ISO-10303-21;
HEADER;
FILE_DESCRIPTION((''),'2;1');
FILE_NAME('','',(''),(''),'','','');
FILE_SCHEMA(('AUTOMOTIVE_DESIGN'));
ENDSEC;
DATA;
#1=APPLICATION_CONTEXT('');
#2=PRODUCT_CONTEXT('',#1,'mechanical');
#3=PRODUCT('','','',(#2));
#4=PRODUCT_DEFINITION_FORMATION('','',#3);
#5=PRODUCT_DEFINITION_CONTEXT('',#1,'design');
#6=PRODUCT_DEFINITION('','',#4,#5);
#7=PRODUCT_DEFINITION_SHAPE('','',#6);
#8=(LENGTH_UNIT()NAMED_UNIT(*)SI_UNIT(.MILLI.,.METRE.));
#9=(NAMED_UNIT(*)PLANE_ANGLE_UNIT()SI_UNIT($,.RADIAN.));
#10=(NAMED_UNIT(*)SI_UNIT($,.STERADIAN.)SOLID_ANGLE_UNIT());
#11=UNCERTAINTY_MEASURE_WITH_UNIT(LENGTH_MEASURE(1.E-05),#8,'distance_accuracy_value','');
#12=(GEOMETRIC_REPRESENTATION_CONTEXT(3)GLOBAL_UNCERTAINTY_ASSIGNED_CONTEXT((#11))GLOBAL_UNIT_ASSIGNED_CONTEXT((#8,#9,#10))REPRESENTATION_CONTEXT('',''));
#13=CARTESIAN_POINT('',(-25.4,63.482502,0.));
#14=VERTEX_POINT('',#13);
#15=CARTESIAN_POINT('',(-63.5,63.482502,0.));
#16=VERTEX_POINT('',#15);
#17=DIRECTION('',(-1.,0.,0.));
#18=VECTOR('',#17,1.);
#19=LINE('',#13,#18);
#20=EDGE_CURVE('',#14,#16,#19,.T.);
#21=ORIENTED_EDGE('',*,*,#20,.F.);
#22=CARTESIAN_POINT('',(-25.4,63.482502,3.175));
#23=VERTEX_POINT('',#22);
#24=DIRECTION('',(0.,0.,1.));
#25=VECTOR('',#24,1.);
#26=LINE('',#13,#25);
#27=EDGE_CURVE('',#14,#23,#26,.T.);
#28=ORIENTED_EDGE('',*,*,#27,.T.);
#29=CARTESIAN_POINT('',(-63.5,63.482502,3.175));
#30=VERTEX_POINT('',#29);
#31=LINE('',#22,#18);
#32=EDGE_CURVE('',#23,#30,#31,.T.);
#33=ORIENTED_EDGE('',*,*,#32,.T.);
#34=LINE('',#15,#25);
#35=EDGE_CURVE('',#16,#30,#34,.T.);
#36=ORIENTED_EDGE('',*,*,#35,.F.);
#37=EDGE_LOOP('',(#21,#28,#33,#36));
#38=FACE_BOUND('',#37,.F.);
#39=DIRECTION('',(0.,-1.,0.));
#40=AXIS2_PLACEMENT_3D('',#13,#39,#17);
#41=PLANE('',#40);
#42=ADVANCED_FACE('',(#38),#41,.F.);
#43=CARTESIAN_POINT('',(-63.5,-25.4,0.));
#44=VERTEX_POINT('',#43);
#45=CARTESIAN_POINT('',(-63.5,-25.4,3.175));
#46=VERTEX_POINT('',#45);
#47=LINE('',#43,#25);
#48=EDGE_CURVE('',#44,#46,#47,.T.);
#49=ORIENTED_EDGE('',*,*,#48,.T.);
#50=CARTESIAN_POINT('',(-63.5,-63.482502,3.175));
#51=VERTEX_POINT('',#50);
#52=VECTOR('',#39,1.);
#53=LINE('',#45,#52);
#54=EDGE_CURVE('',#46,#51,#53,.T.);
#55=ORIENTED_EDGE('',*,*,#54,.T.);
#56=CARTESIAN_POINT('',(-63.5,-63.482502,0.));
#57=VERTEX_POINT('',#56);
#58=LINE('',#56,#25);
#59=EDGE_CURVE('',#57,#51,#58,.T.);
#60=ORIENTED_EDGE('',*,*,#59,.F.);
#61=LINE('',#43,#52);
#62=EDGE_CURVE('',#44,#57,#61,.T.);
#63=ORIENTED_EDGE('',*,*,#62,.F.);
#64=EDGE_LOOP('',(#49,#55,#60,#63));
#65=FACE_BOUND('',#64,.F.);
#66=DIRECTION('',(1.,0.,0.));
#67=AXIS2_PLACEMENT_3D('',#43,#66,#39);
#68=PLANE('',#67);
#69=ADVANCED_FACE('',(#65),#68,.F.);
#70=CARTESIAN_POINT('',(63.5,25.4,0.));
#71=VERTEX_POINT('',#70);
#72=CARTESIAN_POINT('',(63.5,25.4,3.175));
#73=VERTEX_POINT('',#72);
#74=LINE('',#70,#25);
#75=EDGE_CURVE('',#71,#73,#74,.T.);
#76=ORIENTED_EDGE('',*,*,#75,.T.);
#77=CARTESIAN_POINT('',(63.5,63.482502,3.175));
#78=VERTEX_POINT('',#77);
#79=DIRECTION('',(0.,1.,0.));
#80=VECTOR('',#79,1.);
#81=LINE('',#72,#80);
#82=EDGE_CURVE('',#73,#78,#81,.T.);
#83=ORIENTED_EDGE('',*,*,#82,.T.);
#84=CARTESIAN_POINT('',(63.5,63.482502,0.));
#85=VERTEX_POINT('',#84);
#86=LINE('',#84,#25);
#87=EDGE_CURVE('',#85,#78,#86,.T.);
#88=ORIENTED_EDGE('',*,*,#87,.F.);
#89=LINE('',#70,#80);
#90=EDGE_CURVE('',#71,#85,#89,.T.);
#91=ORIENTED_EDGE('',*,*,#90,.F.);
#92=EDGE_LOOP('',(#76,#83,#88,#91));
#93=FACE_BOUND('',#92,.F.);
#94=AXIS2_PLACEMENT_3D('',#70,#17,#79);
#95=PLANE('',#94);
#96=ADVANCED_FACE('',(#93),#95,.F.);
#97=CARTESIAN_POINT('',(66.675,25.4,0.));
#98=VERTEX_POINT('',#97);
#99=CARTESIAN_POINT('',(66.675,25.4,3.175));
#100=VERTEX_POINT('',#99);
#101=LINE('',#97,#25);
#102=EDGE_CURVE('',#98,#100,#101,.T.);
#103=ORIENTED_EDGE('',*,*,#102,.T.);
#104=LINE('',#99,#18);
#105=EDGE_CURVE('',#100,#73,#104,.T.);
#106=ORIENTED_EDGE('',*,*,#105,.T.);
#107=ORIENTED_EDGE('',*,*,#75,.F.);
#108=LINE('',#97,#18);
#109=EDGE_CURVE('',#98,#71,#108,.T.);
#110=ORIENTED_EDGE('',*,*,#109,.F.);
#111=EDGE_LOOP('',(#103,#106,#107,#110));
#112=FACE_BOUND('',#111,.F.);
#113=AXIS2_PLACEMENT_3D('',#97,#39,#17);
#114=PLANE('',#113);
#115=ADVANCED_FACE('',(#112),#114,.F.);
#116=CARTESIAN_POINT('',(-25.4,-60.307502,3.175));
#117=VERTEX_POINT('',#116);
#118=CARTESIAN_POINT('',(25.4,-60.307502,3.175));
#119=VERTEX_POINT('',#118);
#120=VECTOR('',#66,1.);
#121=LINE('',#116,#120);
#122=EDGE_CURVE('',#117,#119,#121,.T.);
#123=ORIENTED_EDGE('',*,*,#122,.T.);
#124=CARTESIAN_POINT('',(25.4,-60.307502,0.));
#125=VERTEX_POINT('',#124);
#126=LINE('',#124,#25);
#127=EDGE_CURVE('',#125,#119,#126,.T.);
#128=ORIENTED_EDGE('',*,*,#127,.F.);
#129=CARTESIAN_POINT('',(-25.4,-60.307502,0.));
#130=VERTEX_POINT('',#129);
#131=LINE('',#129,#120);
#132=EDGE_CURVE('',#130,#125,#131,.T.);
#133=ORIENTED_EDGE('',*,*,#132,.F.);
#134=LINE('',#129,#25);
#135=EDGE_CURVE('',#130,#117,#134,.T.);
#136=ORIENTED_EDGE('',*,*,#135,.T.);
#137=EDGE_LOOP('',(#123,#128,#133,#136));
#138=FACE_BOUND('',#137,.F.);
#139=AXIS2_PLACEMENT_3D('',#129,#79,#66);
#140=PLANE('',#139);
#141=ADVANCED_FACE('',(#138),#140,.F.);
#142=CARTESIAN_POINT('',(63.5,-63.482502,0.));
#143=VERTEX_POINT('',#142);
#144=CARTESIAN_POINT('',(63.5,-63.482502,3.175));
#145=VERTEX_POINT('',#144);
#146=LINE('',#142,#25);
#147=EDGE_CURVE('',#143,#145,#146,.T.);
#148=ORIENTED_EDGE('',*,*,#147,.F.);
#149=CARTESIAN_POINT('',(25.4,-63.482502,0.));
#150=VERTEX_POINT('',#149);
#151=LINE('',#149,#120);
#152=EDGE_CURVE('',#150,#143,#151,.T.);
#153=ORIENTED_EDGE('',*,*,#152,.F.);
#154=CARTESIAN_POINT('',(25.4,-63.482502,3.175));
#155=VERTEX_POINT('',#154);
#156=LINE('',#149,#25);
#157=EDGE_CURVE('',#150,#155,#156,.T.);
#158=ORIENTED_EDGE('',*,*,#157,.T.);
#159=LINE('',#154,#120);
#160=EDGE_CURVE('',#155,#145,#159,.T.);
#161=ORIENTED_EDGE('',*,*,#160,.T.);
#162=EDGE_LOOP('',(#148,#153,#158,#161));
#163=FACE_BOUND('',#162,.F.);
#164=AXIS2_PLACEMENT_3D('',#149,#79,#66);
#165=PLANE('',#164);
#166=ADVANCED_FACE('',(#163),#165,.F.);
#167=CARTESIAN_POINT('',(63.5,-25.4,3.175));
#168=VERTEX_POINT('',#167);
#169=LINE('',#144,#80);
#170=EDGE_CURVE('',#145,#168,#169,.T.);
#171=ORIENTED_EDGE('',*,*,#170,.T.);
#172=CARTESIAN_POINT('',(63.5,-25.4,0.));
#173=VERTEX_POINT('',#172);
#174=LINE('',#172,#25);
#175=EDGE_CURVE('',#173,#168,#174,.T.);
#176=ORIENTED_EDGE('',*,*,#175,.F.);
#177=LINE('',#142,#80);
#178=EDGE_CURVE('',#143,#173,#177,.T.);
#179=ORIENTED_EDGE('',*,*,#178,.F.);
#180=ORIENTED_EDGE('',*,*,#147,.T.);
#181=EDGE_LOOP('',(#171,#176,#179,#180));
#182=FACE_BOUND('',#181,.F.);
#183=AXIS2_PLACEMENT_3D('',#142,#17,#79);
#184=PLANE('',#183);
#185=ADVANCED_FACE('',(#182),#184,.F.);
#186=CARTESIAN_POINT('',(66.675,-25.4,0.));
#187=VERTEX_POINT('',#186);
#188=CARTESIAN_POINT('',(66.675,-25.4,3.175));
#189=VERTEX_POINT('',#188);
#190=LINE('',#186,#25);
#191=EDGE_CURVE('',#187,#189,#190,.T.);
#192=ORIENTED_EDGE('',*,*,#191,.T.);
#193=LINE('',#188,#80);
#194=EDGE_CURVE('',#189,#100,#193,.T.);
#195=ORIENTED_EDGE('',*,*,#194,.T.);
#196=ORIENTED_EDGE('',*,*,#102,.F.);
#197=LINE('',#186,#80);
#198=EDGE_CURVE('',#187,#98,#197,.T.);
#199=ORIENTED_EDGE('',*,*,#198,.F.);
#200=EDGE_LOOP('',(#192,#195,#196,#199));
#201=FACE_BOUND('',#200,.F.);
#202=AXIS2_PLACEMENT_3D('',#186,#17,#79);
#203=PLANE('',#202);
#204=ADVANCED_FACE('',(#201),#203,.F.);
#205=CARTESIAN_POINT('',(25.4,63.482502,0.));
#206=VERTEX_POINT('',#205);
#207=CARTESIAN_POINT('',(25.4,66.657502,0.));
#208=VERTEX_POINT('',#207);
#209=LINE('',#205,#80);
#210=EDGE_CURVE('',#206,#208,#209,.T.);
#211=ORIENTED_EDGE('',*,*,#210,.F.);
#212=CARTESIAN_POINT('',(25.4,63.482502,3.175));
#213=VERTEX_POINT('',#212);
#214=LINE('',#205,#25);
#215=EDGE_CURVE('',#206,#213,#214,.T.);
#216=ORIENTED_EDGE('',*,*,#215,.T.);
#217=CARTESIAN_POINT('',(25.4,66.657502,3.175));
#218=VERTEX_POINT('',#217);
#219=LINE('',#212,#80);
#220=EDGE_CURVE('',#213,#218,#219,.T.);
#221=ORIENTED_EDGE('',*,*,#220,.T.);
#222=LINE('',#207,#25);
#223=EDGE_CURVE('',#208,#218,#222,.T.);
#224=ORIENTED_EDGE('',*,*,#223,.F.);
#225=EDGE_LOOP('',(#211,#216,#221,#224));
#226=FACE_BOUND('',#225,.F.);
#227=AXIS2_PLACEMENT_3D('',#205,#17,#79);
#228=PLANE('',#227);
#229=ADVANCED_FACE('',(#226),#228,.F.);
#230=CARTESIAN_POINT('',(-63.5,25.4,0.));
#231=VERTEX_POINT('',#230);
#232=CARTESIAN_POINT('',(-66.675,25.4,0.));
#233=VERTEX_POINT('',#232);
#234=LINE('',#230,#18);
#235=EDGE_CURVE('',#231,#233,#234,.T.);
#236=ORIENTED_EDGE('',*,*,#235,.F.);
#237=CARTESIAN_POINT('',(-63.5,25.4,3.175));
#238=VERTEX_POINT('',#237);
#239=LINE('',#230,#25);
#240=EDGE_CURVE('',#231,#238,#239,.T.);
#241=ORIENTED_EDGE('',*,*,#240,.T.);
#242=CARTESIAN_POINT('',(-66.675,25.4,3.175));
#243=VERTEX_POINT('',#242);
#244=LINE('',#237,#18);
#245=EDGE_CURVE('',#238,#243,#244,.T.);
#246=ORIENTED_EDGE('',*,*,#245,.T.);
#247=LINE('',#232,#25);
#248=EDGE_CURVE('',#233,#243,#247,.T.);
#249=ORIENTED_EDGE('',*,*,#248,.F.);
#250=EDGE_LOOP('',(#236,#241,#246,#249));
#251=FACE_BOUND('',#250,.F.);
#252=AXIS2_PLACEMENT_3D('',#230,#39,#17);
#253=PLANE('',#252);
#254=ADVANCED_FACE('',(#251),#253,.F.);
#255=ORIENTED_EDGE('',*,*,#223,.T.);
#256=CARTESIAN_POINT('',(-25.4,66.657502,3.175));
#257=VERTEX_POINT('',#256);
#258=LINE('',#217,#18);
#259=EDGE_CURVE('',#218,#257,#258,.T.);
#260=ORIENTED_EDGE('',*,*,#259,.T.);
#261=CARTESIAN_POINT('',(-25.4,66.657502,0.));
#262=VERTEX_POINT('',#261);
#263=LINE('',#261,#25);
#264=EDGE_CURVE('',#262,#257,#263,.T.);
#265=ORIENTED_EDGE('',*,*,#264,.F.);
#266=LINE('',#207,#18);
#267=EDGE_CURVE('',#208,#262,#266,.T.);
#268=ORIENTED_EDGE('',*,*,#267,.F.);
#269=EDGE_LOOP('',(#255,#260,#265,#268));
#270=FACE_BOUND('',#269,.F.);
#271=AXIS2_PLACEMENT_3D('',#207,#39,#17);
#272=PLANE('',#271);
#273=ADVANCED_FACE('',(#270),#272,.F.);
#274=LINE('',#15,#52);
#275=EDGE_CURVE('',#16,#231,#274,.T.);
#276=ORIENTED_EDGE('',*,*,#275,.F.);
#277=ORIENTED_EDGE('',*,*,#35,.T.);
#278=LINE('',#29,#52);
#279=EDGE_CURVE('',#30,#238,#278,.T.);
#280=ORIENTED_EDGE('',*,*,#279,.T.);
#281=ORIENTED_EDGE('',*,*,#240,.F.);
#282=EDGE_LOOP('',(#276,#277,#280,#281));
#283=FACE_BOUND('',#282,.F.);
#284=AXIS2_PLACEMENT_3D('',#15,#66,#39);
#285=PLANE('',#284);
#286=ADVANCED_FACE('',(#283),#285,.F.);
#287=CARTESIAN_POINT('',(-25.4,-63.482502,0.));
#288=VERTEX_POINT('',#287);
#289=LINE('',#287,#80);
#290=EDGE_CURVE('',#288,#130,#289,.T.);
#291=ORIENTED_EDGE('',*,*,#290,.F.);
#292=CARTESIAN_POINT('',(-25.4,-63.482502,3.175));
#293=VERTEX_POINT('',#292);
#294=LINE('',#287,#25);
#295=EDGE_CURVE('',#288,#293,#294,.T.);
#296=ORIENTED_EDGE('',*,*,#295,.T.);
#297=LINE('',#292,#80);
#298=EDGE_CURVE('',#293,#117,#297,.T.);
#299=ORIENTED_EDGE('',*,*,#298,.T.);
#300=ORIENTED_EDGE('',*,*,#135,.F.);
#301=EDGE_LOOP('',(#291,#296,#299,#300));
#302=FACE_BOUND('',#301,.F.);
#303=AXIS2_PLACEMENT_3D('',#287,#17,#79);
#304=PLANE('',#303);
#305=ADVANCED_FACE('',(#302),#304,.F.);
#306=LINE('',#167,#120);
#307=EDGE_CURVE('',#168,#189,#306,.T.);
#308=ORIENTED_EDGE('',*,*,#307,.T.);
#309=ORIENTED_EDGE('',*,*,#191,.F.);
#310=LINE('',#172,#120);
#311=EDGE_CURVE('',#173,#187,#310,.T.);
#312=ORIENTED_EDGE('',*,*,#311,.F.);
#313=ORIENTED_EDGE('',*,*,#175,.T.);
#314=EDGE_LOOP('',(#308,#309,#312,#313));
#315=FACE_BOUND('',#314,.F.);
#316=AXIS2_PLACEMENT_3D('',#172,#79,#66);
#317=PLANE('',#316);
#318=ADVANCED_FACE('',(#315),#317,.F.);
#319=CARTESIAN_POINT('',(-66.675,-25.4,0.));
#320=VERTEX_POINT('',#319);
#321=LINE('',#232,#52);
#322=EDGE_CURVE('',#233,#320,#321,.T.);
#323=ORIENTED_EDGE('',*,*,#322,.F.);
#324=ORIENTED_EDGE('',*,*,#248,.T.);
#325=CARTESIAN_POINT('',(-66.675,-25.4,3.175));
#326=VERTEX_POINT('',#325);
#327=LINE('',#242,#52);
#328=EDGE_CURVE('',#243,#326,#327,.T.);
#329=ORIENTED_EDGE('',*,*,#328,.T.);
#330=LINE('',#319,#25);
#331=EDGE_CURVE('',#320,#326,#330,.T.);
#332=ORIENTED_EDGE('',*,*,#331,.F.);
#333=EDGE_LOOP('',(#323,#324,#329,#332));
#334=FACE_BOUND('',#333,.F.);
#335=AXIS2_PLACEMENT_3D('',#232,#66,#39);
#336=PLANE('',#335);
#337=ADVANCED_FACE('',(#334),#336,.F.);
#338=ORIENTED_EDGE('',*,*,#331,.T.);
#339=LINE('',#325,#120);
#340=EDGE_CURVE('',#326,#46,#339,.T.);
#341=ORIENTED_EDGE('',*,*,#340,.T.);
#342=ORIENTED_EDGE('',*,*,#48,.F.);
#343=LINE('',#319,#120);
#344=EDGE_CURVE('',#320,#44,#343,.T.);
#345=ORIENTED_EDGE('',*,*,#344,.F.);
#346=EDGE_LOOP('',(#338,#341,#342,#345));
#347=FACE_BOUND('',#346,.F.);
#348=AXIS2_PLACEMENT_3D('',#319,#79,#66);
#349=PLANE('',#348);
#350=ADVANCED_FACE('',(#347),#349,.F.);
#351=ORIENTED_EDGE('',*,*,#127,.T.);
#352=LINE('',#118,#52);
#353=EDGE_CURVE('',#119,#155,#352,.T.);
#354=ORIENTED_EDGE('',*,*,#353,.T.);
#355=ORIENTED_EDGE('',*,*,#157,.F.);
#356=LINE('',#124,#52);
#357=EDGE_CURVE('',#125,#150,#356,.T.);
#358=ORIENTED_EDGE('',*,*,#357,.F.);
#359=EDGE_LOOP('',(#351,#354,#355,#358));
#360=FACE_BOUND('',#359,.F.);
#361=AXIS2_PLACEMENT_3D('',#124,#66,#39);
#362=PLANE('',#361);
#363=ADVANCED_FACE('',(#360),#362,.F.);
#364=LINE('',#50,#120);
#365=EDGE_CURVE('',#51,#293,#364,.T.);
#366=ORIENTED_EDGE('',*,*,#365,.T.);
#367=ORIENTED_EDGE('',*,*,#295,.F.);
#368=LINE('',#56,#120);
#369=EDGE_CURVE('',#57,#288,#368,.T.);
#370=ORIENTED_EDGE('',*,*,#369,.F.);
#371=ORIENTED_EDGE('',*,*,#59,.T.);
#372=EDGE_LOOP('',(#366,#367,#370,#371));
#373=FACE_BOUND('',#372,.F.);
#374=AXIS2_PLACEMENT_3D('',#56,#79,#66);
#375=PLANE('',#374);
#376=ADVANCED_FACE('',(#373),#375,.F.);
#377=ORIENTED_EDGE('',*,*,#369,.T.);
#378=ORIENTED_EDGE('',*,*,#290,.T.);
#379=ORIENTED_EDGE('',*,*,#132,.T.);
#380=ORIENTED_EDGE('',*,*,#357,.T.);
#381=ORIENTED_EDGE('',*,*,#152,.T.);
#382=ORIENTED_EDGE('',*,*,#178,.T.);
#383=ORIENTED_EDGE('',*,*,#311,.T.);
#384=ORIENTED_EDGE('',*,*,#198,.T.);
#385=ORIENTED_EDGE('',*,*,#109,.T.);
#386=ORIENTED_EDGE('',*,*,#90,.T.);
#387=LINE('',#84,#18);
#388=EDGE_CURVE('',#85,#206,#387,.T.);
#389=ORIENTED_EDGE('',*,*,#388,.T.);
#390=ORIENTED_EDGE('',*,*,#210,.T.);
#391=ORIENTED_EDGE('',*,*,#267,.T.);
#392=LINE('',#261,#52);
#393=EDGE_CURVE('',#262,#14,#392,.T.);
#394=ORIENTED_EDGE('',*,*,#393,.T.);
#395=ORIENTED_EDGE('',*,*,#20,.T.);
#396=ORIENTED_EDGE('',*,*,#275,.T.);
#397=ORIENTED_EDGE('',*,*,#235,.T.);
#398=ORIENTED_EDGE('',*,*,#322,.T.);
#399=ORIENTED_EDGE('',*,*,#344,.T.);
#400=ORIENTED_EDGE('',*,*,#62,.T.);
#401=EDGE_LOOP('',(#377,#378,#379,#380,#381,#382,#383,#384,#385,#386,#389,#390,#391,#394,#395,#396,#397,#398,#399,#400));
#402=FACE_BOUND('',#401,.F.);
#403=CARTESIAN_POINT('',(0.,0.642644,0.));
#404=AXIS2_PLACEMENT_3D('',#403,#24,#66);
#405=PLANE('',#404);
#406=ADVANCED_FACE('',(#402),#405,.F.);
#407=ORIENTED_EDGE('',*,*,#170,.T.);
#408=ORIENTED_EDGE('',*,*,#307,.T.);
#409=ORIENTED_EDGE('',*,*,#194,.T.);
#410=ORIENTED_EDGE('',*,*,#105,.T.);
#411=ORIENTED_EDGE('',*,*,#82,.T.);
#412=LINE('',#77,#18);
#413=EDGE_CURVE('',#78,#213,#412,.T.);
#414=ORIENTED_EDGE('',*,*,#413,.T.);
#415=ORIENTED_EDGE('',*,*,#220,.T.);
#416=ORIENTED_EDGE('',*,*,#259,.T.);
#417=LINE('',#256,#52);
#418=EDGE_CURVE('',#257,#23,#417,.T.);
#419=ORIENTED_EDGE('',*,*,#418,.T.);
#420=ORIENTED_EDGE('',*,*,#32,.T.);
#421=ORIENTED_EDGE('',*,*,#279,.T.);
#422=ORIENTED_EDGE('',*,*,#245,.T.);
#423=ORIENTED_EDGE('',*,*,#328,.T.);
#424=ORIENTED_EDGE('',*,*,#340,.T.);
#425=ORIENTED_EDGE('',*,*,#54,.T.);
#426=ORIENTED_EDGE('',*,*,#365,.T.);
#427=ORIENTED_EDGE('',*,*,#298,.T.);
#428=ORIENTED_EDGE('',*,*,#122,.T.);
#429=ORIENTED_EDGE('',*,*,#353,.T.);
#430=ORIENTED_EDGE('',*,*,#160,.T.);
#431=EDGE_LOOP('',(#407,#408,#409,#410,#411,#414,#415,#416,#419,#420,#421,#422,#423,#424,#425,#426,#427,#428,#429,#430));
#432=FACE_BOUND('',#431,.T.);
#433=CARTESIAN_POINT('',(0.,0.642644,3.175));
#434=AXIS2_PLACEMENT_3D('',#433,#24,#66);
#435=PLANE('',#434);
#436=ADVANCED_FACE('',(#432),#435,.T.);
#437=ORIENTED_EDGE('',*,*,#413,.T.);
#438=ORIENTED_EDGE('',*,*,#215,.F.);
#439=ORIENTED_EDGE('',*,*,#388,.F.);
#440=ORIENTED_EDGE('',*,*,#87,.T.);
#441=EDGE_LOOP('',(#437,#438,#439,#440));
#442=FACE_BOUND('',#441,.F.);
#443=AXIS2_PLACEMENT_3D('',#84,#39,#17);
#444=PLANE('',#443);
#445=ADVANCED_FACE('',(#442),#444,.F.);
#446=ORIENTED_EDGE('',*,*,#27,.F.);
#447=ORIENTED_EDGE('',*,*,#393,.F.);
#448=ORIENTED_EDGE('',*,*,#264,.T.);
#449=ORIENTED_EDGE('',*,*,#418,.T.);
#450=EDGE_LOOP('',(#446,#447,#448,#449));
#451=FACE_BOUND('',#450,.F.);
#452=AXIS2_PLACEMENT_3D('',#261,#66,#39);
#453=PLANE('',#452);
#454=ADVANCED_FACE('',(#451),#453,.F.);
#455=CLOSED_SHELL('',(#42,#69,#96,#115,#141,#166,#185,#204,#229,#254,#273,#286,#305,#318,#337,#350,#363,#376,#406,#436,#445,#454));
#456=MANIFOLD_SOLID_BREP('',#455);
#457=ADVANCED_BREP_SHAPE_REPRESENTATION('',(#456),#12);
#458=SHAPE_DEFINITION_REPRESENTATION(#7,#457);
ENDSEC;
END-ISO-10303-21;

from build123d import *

# Parameters (mm, degrees)
F1_DEPTH = 3.175


with BuildPart() as f1:
    # F0 (on Top) → F1 (new body)
    with BuildSketch(Plane.XY):
        Polygon((25.4, -63.482502), (63.5, -63.482502), (63.5, -25.4), (66.675, -25.4), (66.675, 25.4), (63.5, 25.4), (63.5, 63.482502), (25.4, 63.482502), (25.4, 66.657502), (-25.4, 66.657502), (-25.4, 63.482502), (-63.5, 63.482502), (-63.5, 25.4), (-66.675, 25.4), (-66.675, -25.4), (-63.5, -25.4), (-63.5, -63.482502), (-25.4, -63.482502), (-25.4, -60.307502), (25.4, -60.307502), align=None)
    extrude(amount=F1_DEPTH)


solid = f1.part
